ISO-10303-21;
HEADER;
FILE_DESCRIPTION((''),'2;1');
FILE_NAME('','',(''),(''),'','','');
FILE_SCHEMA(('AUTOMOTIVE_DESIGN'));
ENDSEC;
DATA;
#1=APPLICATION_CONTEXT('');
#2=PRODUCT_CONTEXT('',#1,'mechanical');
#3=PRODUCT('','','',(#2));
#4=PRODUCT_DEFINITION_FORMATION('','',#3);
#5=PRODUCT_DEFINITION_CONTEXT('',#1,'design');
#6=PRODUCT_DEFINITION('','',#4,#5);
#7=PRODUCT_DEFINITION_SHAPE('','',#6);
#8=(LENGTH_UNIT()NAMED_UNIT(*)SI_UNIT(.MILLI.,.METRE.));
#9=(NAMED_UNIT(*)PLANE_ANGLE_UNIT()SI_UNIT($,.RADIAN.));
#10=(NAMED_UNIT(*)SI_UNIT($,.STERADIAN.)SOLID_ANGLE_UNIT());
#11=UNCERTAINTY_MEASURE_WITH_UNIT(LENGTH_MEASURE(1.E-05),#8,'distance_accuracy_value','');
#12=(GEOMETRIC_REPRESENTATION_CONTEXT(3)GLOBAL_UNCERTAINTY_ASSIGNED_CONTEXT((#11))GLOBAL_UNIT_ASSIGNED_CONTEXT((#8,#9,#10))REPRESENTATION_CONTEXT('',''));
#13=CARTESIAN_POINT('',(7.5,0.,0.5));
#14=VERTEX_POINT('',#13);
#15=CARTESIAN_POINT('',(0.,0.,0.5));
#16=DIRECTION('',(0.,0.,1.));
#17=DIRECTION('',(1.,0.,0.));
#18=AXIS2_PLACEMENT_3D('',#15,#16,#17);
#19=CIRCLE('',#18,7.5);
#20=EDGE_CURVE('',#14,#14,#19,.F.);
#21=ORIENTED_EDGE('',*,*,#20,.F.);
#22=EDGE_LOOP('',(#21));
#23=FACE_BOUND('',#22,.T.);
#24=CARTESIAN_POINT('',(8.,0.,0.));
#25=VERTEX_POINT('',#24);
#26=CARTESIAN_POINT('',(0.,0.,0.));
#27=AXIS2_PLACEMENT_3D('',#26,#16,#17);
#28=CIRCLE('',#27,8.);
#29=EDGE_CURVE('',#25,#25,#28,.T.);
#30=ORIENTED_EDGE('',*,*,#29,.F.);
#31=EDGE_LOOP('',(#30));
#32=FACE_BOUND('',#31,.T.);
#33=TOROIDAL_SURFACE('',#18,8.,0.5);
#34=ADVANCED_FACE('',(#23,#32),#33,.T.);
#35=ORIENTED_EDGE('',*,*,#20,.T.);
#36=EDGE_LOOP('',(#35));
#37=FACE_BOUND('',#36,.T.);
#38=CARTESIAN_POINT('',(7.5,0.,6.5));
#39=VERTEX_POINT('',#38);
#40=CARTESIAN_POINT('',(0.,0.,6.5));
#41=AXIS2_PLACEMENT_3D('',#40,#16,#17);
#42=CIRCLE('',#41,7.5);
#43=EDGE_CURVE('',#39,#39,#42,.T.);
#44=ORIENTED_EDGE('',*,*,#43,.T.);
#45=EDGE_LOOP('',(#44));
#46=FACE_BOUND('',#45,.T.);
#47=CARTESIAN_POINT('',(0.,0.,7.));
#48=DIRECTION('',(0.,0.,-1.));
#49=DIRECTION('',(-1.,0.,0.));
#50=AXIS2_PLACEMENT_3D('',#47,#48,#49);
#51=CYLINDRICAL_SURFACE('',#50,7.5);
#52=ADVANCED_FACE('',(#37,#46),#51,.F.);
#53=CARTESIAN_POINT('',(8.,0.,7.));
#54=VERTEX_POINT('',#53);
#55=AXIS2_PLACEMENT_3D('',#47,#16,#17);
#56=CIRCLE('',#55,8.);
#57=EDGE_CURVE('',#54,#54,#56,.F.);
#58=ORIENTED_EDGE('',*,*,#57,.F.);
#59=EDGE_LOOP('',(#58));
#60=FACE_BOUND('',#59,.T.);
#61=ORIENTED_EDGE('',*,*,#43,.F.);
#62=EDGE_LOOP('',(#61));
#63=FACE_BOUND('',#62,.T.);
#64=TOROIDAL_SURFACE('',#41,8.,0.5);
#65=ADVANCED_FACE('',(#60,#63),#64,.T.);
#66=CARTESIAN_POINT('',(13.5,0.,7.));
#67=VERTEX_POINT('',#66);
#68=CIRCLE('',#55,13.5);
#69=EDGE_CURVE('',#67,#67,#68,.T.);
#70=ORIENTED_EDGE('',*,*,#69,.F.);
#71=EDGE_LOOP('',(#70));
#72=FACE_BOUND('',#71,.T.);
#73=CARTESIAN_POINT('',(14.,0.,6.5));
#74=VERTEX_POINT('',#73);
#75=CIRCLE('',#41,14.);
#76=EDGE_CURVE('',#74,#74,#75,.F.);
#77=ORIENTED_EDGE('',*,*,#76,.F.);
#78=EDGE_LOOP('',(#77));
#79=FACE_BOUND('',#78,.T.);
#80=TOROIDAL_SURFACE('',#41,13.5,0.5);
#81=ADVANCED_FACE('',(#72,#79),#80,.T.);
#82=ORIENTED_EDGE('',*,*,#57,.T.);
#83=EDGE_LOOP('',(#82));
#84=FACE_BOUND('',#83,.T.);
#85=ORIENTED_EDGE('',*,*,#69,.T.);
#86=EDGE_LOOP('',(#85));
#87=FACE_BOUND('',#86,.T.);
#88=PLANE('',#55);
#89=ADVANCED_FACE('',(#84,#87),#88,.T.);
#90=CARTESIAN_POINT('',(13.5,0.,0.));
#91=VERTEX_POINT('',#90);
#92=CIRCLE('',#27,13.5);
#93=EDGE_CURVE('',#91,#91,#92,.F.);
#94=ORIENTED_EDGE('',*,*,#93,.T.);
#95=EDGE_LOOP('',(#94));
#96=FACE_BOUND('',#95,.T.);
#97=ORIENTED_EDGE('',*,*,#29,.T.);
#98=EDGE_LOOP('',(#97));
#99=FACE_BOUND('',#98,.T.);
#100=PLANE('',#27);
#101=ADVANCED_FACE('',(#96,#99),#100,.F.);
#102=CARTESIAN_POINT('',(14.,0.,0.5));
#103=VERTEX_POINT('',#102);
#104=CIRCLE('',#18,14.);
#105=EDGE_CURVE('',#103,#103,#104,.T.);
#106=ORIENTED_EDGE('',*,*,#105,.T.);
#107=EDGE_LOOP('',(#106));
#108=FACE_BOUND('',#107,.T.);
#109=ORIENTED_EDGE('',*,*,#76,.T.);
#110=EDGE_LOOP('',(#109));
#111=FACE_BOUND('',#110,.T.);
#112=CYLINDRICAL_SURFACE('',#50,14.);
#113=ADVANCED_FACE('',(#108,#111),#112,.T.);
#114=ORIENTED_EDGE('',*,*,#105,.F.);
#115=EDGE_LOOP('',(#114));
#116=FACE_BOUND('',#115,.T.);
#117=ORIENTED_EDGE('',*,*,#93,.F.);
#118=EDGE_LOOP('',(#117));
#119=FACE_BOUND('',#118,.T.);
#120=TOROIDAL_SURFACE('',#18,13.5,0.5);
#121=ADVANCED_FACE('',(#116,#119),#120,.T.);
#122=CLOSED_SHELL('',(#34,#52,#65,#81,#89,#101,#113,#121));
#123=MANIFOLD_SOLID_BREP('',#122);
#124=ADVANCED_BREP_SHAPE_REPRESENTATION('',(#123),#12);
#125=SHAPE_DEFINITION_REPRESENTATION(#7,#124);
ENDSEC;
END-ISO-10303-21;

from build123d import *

# Parameters (mm, degrees)
SKETCH_1_R      = 14
SKETCH_1_R_2    = 7.5
EXTRUDE_1_DEPTH = 7
FILLET_1_R      = 0.5


with BuildPart() as part:
    # 草图1 → 拉伸1 (new body)
    with BuildSketch(Plane.XY):
        Circle(SKETCH_1_R)
        Circle(SKETCH_1_R_2, mode=Mode.SUBTRACT)
    extrude(amount=EXTRUDE_1_DEPTH)

    # 圆角1
    fillet_1_edges = [part.edges().sort_by_distance(p)[0] for p in [
        (-14, 0, 0),
        (-14, 0, 7),
        (-7.5, 0, 0),
        (-7.5, 0, 7),
    ]]
    fillet(fillet_1_edges, radius=FILLET_1_R)


solid = part.part
